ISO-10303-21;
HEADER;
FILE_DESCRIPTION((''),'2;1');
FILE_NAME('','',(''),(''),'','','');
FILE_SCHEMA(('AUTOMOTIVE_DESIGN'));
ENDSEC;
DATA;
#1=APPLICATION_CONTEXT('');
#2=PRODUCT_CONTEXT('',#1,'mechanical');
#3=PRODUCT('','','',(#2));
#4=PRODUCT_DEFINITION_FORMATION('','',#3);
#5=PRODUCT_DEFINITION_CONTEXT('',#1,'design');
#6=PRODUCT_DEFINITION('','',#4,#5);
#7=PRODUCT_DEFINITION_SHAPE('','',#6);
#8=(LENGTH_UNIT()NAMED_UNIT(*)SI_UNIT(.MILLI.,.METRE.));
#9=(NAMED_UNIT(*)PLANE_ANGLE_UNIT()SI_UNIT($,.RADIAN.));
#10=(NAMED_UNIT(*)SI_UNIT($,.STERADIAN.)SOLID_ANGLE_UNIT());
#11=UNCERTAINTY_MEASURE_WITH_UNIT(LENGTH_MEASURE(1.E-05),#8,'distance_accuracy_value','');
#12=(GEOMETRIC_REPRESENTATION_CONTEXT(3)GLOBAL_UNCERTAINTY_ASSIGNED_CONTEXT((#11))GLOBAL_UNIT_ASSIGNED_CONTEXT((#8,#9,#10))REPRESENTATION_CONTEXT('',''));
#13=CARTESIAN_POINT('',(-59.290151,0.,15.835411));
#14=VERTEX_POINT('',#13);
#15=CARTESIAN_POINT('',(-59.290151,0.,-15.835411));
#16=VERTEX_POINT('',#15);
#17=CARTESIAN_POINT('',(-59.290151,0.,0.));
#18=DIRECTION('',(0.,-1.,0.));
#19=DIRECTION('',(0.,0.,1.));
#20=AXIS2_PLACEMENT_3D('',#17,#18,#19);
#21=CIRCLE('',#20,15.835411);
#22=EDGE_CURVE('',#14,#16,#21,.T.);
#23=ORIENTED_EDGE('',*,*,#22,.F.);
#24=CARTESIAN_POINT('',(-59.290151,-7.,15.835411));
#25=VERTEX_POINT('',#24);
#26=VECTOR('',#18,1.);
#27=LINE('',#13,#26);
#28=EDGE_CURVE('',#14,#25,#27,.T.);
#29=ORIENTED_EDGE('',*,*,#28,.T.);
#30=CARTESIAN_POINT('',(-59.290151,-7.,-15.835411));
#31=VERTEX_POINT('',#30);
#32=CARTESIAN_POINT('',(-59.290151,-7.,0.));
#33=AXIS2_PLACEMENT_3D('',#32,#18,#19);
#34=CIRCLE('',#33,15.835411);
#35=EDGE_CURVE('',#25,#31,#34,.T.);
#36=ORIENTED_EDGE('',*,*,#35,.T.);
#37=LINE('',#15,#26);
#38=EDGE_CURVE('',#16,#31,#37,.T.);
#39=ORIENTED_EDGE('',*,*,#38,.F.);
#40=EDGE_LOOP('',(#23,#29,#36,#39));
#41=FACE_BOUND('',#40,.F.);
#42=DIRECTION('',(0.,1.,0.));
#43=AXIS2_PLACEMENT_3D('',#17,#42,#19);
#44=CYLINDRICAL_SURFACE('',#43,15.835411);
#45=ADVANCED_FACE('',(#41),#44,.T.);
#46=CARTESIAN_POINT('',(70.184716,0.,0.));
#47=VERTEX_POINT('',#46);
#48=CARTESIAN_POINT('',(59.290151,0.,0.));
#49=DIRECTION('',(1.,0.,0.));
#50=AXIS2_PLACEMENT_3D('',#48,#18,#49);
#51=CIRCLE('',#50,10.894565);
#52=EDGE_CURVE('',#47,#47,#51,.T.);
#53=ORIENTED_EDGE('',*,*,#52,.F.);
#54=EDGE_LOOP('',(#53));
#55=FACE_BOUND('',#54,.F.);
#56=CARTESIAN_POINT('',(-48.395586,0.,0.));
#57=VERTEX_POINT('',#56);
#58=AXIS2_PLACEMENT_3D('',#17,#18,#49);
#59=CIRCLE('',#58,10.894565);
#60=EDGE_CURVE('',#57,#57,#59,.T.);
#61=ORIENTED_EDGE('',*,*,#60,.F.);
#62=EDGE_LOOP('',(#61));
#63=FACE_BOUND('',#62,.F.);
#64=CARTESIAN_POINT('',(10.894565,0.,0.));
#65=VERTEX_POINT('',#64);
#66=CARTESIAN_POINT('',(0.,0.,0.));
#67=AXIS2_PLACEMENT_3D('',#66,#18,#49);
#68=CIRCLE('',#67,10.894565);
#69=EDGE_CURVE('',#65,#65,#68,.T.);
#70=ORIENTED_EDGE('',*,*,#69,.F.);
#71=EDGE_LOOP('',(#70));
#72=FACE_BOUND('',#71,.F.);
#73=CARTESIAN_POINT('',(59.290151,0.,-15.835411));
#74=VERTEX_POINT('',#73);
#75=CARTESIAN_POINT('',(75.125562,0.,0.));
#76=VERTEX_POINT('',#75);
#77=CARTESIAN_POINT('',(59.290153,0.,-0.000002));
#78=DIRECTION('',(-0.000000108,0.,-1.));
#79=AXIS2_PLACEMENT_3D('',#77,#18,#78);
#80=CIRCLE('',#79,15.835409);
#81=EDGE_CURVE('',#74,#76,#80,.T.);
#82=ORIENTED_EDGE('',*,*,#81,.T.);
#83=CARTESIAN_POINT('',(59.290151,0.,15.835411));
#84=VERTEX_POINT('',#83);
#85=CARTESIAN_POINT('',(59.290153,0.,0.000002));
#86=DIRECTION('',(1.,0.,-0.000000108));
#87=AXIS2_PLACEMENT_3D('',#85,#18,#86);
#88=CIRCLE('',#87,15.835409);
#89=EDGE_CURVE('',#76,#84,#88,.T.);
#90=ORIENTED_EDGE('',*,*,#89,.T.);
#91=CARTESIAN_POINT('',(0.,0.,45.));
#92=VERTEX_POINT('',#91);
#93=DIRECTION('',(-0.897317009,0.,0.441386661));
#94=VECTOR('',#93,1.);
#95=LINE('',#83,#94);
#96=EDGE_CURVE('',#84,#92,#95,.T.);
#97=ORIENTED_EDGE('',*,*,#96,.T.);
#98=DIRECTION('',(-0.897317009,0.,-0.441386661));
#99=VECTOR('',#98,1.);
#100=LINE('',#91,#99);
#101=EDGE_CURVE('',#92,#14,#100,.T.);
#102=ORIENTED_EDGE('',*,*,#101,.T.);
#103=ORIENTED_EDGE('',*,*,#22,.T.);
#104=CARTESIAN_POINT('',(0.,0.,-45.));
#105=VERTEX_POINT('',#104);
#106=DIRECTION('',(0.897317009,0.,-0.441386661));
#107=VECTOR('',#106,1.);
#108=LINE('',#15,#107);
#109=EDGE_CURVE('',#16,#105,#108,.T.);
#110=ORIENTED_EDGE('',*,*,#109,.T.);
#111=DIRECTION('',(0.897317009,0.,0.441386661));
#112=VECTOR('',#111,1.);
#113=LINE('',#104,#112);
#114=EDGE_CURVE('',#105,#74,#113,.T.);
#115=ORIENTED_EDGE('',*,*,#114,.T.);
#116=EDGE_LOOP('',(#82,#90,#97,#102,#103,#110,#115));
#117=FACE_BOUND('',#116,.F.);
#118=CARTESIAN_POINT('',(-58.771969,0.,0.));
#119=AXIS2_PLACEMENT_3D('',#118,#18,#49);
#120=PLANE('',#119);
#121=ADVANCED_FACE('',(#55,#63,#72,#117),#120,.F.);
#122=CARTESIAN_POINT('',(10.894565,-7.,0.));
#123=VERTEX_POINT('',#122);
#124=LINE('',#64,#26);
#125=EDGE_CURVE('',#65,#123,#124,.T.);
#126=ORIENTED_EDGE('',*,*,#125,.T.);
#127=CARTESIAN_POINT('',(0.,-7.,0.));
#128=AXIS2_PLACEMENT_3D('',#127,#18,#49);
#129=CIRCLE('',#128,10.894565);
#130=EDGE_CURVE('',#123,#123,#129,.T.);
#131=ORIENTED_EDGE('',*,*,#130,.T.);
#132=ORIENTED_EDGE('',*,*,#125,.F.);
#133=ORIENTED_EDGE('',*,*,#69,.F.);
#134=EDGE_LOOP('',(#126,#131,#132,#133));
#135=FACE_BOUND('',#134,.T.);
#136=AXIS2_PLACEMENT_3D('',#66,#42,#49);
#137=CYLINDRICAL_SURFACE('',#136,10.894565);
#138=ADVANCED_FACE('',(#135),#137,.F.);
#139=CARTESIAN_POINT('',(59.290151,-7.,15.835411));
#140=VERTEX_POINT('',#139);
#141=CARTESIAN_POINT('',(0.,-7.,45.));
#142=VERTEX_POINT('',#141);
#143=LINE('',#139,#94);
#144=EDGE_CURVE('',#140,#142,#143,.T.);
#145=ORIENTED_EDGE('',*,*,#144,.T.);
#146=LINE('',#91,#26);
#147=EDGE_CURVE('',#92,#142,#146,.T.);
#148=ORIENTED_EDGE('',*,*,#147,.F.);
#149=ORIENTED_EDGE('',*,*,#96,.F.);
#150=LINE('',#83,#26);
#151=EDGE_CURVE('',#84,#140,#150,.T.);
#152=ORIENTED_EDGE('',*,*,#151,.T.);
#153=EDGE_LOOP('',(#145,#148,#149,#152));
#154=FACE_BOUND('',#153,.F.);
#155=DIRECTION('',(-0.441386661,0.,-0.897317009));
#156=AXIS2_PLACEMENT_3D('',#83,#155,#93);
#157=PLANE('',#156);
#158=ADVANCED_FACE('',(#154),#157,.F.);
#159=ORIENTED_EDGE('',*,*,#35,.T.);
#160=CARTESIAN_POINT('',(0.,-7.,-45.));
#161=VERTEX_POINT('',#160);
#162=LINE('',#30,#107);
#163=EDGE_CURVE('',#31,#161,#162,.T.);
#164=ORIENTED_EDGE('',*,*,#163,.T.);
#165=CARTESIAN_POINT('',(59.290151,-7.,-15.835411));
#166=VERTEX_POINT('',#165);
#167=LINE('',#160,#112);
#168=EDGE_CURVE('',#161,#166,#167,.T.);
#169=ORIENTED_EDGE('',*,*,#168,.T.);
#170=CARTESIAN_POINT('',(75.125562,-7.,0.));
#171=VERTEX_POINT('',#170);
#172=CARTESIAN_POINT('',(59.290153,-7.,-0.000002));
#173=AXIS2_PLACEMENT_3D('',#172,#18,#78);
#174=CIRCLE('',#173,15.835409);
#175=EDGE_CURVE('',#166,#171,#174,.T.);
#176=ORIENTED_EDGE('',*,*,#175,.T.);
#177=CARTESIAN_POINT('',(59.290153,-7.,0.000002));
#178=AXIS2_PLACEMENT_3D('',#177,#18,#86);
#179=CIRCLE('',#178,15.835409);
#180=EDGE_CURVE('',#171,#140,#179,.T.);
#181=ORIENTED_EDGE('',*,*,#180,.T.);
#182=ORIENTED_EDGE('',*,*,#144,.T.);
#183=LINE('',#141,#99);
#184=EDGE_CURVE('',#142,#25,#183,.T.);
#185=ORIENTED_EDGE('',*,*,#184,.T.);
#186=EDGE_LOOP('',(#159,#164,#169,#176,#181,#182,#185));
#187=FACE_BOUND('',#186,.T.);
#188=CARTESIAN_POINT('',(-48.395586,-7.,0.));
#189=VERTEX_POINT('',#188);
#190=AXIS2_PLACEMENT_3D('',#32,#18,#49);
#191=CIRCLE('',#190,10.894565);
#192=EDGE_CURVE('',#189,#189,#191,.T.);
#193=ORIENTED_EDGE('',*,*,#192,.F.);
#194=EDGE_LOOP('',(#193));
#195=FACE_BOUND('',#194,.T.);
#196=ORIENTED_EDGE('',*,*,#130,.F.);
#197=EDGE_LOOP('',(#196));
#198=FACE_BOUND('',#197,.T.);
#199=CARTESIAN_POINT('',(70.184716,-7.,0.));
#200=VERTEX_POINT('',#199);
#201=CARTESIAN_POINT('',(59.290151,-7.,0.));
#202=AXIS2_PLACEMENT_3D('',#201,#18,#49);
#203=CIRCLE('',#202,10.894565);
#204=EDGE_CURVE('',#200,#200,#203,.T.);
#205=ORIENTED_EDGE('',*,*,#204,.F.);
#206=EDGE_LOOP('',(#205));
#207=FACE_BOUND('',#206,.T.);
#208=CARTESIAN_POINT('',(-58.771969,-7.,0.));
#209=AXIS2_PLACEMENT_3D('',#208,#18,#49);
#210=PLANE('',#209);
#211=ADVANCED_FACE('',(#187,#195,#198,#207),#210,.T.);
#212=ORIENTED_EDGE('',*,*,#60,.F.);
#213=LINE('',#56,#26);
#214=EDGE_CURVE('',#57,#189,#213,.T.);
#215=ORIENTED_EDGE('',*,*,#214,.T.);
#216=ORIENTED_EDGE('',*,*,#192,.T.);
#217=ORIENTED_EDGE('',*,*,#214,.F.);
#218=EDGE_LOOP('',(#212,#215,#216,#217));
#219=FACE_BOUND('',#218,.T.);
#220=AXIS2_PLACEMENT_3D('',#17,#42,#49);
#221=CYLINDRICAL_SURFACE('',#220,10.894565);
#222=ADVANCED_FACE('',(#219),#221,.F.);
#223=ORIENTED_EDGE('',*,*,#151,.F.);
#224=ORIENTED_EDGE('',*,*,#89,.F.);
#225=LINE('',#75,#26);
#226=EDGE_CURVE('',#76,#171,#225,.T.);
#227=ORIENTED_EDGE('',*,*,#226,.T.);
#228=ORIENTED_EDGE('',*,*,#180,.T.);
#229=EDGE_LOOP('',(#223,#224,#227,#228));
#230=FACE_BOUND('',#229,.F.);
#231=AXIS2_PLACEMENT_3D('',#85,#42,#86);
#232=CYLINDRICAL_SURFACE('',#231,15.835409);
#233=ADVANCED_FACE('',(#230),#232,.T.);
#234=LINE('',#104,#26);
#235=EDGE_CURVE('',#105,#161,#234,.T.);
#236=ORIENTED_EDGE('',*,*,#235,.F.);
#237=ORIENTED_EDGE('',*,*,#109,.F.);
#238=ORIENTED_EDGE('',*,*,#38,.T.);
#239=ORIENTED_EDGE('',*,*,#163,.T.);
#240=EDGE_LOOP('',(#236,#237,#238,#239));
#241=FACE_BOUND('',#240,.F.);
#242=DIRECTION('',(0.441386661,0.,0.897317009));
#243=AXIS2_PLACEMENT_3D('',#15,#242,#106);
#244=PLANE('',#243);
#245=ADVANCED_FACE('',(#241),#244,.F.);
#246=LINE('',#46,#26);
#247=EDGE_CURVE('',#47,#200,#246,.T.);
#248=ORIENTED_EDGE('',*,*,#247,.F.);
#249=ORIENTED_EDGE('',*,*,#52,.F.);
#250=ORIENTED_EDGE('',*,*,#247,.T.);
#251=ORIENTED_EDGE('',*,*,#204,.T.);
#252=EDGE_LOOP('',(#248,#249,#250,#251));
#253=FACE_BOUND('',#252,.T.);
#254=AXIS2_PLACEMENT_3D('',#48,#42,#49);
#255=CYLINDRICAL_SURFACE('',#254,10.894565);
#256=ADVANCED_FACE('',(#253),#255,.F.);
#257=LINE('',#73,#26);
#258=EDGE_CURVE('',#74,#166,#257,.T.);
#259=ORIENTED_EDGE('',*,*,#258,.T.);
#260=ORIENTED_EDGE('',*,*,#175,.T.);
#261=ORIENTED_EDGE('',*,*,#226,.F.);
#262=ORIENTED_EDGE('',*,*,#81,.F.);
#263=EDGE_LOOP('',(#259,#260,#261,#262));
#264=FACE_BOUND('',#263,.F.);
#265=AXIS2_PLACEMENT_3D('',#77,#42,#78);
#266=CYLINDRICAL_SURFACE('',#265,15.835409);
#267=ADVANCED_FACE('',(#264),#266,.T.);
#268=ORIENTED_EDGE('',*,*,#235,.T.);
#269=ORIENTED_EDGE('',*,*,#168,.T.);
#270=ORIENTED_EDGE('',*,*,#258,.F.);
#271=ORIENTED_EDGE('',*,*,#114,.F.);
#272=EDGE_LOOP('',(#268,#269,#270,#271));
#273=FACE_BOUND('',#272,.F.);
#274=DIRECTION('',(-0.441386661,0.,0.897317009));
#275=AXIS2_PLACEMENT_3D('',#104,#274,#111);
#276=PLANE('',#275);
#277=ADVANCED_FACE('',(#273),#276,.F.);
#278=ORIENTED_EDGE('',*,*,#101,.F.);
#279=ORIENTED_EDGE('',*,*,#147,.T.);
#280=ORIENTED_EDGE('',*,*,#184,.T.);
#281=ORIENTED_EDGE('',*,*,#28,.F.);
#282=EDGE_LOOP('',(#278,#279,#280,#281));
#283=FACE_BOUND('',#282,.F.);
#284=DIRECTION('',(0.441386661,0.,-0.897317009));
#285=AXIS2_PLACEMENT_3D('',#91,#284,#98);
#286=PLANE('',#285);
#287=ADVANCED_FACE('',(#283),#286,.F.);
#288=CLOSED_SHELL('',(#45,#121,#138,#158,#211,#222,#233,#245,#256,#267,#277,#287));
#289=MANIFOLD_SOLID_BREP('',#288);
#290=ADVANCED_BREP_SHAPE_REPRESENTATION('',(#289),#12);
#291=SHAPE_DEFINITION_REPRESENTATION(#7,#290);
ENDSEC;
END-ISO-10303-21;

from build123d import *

# Parameters (mm, degrees)
F0_R     = 10.894565
F1_DEPTH = 7


with BuildPart() as f1:
    # F0 (on Front) → F1 (new body)
    with BuildSketch(Plane.XZ):
        with BuildLine():
            ThreePointArc((-43.45474, 0), (-48.092824, 11.197327), (-59.290151, 15.835411))
            ThreePointArc((-59.290151, 15.835411), (-75.125562, 0), (-59.290151, -15.835411))
            ThreePointArc((-59.290151, -15.835411), (-48.092824, -11.197327), (-43.45474, 0))
        make_face()
        with Locations((-59.290151, 0)):
            Circle(F0_R, mode=Mode.SUBTRACT)
        Polygon((59.290151, -15.835411), (0, -15.835411), (-59.290151, -15.835411), (0, -45), align=None)
        Polygon((-59.290151, 15.835411), (0, 15.835411), (59.290151, 15.835411), (0, 45), align=None)
        with BuildLine():
            ThreePointArc((0, 15.835411), (11.197327, 11.197327), (15.835411, 0))
            ThreePointArc((15.835411, 0), (11.197327, -11.197327), (0, -15.835411))
            Line((0, -15.835411), (59.290151, -15.835411))
            ThreePointArc((59.290151, -15.835411), (43.45474, 0), (59.290151, 15.835411))
            Line((59.290151, 15.835411), (0, 15.835411))
        make_face()
        with BuildLine():
            ThreePointArc((0, -15.835411), (-15.835411, 0), (0, 15.835411))
            Line((0, 15.835411), (-59.290151, 15.835411))
            ThreePointArc((-59.290151, 15.835411), (-48.092824, 11.197327), (-43.45474, 0))
            ThreePointArc((-43.45474, 0), (-48.092824, -11.197327), (-59.290151, -15.835411))
            Line((-59.290151, -15.835411), (0, -15.835411))
        make_face()
        with BuildLine():
            ThreePointArc((75.125562, 0), (70.487478, 11.197327), (59.290151, 15.835411))
            ThreePointArc((59.290151, 15.835411), (43.45474, 0), (59.290151, -15.835411))
            ThreePointArc((59.290151, -15.835411), (70.487478, -11.197327), (75.125562, 0))
        make_face()
        with Locations((59.290151, 0)):
            Circle(F0_R, mode=Mode.SUBTRACT)
        with BuildLine():
            ThreePointArc((0, -15.835411), (11.197327, -11.197327), (15.835411, 0))
            ThreePointArc((15.835411, 0), (11.197327, 11.197327), (0, 15.835411))
            ThreePointArc((0, 15.835411), (-15.835411, 0), (0, -15.835411))
        make_face()
        Circle(F0_R, mode=Mode.SUBTRACT)
    extrude(amount=F1_DEPTH)


solid = f1.part
